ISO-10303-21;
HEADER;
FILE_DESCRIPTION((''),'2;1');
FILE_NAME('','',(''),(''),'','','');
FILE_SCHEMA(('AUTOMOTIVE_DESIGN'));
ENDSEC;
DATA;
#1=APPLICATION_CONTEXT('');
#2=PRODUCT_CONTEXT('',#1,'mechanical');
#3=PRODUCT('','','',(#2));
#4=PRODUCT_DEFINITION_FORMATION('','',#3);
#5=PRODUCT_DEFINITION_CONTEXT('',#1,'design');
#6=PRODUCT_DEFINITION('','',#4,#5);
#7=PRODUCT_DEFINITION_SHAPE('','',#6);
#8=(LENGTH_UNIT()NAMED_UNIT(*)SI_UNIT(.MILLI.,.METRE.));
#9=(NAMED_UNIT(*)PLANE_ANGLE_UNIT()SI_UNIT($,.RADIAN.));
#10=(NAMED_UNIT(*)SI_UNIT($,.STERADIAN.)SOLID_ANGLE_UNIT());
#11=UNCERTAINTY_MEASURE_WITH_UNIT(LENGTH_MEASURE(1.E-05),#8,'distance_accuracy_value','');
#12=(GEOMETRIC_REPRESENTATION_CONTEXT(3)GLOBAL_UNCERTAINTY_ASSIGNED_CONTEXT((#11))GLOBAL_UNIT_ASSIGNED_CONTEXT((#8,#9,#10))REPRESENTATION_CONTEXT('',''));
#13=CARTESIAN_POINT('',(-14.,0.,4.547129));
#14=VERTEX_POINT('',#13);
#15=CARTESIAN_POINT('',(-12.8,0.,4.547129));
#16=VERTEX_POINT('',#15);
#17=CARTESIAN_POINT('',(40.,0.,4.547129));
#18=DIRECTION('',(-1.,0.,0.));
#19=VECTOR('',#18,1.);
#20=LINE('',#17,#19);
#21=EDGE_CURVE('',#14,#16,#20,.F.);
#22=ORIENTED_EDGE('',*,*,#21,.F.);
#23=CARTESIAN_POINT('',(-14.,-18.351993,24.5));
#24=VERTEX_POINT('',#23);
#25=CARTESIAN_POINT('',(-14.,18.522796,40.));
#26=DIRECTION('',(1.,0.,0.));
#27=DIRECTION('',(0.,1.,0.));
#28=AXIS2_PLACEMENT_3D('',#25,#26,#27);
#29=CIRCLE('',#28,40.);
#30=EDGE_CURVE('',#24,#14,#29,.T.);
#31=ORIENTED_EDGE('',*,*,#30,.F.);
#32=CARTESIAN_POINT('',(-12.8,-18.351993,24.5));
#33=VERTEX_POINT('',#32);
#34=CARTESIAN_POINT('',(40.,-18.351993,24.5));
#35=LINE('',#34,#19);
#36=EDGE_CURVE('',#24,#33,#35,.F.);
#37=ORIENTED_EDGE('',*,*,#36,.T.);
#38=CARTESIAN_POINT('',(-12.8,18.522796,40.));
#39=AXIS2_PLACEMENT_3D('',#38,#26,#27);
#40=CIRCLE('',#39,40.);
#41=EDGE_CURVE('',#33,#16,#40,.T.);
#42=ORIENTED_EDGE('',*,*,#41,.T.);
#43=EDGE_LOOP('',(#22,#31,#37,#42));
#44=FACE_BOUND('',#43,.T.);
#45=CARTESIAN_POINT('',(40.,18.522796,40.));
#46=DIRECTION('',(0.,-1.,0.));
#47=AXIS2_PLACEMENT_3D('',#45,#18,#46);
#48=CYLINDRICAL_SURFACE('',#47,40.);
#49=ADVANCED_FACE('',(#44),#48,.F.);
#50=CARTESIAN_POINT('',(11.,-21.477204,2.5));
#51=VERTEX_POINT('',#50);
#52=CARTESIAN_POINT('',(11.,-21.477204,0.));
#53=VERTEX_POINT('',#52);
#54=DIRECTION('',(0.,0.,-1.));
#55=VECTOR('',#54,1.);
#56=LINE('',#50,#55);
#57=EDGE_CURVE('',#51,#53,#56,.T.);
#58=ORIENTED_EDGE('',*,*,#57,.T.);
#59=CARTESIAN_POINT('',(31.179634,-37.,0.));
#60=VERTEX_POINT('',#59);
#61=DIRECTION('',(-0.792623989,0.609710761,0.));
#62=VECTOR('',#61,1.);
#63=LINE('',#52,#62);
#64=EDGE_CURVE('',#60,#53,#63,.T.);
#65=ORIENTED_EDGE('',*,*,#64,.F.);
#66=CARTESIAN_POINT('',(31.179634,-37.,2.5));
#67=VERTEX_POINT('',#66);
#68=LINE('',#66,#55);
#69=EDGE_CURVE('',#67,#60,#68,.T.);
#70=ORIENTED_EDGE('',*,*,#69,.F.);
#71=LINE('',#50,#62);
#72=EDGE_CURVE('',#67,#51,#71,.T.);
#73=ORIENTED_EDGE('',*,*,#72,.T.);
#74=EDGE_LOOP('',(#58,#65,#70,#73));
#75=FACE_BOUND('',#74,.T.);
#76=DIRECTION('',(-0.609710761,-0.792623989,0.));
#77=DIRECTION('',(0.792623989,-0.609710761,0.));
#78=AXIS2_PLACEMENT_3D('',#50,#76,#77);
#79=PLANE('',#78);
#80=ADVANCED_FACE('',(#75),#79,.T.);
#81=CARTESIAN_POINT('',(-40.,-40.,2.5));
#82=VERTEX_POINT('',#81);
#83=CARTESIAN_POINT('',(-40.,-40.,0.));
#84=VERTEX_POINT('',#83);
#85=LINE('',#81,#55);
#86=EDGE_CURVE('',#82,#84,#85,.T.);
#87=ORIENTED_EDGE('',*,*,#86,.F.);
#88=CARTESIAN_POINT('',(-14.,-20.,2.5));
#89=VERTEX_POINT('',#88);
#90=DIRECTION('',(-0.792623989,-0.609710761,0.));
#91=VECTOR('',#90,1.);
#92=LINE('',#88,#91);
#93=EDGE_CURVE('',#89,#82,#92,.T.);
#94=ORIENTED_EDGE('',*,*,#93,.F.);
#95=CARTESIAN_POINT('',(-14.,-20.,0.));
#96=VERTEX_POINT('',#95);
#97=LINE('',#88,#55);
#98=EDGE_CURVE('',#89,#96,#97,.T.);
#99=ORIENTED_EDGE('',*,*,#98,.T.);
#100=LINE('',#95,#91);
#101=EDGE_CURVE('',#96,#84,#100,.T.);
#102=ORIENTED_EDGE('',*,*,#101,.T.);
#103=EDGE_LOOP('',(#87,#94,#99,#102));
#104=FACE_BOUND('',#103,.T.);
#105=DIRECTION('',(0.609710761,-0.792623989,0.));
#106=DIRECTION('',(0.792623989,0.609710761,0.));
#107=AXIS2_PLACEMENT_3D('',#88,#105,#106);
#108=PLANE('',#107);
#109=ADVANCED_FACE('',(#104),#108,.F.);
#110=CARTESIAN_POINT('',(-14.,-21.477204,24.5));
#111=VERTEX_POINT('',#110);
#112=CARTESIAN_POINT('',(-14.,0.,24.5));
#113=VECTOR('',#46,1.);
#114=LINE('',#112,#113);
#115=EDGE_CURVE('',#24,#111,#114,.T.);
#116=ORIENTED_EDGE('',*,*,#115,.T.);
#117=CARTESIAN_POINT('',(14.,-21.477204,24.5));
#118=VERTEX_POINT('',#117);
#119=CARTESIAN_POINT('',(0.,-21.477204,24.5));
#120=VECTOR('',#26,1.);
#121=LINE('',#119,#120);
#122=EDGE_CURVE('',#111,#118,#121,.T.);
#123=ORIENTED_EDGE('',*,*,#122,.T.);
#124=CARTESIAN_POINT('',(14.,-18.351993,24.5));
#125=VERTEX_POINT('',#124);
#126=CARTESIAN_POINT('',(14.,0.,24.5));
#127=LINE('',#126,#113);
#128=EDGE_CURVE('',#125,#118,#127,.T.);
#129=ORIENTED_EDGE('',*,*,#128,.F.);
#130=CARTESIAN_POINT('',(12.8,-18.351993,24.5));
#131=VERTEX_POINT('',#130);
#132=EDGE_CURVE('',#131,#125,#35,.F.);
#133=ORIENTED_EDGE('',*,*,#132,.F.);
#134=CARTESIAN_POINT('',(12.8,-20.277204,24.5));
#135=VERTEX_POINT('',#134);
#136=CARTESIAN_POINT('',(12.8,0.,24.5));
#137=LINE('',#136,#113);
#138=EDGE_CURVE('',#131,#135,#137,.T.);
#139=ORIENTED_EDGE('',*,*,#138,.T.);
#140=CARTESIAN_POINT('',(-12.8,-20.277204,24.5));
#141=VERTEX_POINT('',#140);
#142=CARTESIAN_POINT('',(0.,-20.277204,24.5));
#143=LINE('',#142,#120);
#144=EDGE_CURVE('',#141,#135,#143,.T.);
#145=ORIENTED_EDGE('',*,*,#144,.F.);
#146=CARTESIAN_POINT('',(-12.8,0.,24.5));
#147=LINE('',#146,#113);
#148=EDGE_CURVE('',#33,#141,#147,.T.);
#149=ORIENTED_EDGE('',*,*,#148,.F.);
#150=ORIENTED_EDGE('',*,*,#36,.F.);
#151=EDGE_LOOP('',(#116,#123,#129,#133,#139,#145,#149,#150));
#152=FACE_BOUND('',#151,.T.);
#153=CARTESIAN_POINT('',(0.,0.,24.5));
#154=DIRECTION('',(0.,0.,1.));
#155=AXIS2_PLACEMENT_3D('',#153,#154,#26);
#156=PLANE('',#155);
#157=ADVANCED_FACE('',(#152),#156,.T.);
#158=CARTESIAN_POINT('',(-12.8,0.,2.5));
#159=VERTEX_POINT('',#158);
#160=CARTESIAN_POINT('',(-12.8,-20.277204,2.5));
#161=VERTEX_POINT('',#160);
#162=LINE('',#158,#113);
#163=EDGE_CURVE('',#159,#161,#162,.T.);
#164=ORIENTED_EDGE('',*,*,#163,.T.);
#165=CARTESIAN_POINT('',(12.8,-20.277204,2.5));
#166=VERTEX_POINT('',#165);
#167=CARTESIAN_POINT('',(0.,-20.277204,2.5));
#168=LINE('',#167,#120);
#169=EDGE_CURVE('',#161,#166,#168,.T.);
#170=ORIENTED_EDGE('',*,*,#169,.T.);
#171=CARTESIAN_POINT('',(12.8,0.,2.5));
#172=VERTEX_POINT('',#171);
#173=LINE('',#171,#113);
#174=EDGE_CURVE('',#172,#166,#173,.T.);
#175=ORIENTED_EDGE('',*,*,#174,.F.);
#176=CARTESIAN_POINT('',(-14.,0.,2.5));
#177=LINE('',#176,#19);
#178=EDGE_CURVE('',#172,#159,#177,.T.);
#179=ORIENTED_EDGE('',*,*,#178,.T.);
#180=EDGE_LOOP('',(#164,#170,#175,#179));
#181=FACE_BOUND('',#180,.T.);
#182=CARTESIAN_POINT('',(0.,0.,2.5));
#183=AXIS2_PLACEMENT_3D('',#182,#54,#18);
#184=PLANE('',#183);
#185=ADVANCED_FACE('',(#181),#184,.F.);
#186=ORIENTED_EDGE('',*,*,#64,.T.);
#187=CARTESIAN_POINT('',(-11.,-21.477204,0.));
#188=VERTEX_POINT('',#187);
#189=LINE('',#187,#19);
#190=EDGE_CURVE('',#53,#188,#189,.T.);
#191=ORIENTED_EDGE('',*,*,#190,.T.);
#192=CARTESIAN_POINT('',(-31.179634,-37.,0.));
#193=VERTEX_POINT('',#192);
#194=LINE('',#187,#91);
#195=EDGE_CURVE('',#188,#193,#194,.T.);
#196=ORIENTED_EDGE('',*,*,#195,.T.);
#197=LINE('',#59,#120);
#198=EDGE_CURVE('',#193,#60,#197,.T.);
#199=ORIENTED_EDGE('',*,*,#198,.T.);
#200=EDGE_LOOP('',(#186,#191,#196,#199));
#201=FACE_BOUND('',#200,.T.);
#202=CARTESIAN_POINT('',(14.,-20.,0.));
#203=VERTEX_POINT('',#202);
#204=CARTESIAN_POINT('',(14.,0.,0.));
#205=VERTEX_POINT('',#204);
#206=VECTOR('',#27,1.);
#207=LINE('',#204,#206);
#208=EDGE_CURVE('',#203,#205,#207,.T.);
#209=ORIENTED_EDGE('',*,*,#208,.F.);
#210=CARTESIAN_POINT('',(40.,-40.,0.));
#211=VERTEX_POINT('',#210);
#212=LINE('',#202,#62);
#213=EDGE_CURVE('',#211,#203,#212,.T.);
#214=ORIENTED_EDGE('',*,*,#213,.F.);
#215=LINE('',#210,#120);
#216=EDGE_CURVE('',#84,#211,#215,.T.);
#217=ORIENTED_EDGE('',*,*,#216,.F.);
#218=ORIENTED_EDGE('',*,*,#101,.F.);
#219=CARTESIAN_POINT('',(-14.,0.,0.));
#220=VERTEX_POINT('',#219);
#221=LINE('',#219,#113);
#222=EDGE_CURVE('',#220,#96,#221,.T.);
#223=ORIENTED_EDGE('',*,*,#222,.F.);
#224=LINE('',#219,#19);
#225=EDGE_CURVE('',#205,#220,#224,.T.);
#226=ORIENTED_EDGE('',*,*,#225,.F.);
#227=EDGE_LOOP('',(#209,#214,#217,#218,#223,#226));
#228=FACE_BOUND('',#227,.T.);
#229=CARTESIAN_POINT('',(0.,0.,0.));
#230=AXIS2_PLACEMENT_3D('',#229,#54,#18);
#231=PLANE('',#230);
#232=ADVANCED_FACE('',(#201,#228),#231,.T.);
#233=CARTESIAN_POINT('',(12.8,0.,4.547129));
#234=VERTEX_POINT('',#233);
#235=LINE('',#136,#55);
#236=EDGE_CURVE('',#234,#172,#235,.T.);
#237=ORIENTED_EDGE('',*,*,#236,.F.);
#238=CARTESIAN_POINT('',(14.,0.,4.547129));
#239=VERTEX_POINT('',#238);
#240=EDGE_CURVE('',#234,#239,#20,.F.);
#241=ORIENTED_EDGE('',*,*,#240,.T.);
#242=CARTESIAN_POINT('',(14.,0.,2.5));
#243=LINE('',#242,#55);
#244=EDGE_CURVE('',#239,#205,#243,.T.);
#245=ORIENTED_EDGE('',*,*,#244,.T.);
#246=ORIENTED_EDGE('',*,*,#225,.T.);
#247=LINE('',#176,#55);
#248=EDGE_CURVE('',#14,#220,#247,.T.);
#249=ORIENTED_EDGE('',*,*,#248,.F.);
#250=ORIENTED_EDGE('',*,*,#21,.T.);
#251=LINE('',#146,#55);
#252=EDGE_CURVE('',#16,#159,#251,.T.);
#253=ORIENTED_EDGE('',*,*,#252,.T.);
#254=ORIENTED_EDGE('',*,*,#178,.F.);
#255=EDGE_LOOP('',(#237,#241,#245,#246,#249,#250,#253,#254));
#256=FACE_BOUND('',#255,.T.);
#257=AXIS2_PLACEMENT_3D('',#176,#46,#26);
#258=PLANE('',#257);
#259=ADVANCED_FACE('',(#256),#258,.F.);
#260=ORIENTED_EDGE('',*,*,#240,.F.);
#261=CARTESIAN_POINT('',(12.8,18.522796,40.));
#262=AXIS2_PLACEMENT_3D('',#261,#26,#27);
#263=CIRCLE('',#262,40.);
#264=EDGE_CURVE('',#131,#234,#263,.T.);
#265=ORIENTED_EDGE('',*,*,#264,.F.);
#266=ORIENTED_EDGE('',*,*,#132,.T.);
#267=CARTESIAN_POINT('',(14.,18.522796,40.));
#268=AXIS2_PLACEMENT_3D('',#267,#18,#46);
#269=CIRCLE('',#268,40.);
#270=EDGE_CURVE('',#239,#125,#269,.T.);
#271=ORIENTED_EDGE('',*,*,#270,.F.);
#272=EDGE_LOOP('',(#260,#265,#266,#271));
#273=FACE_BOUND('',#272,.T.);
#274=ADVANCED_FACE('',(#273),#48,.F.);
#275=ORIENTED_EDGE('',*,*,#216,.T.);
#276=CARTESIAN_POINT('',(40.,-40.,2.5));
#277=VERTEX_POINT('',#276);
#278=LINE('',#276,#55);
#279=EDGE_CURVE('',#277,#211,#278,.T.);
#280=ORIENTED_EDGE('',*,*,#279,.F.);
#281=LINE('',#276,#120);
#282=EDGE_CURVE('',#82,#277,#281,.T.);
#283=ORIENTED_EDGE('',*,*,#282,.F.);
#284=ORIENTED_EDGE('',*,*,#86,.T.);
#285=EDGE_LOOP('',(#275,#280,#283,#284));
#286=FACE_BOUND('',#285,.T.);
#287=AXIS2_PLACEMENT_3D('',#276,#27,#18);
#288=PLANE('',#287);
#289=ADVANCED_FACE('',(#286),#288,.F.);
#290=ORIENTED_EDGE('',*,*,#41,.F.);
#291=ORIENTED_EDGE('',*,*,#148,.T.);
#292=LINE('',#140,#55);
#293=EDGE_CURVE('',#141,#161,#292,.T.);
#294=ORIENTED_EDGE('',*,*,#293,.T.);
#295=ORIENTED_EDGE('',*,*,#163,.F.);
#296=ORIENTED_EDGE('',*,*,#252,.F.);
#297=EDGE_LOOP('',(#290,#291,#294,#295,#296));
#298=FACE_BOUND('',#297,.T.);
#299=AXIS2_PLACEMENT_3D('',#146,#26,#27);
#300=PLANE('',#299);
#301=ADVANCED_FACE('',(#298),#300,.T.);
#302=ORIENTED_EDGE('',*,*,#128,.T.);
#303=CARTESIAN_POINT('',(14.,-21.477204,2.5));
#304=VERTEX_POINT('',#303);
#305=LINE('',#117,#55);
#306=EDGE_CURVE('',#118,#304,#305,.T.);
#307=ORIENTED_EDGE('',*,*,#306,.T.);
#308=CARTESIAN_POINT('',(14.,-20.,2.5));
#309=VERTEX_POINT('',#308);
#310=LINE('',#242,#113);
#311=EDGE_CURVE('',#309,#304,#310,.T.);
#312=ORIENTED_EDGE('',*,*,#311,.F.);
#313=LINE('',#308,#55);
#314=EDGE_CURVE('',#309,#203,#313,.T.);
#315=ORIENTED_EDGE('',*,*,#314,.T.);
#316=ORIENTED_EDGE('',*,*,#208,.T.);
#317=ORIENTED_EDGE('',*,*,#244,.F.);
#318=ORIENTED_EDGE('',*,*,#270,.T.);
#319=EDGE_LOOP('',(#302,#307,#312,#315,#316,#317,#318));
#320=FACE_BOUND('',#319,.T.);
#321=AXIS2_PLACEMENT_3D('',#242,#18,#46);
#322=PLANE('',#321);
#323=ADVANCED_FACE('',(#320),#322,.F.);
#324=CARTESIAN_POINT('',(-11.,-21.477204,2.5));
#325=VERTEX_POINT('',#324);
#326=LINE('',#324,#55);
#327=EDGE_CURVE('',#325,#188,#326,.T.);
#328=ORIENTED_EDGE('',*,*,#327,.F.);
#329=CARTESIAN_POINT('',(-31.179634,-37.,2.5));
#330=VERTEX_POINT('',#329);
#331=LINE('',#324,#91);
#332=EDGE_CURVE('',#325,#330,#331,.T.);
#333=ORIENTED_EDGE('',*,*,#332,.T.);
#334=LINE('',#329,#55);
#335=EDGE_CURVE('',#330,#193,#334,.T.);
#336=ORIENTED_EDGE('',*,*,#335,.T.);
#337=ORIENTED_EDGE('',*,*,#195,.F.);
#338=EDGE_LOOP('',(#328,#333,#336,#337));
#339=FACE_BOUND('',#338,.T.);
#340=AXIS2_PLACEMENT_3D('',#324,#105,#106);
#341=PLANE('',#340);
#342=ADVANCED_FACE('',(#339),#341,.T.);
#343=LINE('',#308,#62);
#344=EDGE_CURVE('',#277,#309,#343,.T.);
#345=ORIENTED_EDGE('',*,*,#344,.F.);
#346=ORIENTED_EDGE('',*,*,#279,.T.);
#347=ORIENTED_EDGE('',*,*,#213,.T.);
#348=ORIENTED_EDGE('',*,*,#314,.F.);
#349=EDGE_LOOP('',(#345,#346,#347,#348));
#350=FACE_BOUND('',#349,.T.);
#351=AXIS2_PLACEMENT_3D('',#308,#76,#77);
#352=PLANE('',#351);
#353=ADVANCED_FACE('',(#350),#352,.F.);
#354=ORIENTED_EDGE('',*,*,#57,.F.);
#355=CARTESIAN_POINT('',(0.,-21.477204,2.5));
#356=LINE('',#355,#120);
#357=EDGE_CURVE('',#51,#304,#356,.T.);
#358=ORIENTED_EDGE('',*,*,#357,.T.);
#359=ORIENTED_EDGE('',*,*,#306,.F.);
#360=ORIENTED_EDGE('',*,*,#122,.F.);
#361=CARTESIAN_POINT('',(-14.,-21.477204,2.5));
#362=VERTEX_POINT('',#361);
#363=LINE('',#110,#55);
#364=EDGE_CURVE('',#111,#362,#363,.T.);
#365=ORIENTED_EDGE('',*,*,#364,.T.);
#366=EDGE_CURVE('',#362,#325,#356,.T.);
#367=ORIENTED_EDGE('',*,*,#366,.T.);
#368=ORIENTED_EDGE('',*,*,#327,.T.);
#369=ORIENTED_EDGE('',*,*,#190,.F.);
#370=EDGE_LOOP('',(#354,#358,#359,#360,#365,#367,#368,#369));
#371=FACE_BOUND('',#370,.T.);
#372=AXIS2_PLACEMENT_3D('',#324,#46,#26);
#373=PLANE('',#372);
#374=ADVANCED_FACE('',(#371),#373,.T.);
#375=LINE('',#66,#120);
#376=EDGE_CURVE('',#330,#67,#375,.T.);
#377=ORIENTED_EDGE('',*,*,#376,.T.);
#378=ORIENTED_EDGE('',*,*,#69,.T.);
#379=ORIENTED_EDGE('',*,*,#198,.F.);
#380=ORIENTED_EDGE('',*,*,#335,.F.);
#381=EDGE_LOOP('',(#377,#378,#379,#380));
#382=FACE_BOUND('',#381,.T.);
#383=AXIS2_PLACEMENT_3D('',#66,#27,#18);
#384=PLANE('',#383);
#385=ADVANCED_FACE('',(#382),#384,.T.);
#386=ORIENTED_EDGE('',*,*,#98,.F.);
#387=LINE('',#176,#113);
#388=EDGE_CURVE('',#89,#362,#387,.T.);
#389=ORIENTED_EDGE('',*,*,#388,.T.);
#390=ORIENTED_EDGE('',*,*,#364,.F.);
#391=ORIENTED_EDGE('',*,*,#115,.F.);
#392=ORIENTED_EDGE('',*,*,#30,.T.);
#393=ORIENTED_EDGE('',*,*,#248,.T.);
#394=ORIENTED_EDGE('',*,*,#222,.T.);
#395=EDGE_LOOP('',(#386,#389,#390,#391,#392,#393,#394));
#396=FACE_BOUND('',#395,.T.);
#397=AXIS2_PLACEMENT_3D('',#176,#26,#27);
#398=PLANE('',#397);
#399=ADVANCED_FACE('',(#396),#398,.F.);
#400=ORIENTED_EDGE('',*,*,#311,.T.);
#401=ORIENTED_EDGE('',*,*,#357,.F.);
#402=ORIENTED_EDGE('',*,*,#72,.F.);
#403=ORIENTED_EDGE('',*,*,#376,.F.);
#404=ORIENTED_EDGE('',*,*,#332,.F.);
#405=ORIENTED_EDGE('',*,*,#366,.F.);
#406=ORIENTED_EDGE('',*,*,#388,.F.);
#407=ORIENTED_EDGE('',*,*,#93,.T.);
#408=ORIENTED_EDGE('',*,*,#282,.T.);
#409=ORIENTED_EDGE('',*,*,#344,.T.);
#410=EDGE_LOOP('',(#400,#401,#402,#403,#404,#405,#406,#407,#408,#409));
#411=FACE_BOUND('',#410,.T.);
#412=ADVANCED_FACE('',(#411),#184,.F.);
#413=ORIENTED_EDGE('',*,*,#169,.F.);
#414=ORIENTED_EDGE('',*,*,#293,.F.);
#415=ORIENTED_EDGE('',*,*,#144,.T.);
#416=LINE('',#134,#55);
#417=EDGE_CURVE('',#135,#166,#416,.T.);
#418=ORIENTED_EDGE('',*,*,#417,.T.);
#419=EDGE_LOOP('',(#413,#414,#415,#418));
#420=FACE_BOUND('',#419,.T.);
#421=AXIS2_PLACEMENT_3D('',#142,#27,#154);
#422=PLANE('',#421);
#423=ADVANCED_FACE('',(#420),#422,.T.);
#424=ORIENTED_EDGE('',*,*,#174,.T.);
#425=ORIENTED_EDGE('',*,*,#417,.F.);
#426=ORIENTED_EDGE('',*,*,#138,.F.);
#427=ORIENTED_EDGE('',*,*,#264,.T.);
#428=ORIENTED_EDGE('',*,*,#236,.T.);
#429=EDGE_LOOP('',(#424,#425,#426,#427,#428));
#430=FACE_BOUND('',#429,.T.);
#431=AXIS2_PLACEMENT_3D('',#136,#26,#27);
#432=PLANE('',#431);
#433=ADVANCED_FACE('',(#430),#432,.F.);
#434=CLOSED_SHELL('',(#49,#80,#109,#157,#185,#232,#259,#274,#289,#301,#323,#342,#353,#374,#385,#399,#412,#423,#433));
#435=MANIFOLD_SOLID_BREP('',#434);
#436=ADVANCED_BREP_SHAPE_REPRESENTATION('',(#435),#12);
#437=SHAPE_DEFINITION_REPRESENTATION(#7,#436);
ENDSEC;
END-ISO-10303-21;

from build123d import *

# Parameters (mm, degrees)
BOSS_EXTRUDE5_DEPTH     = 2.5
BOSS_EXTRUDE6_DEPTH     = 22
CUT_EXTRUDE2_DEPTH      = 72.527966559
CUT_EXTRUDE2_DEPTH_BACK = 72.527966559
SKETCH7_R               = 40


with BuildPart() as part:
    # Sketch2 → Boss-Extrude5 (new body)
    with BuildSketch(Plane.XY):
        Polygon((-14, 0), (14, 0), (14, -20), (40, -40), (-40, -40), (-14, -20), align=None)
        Polygon((-11, -21.477204492), (-31.17963416, -37), (31.17963416, -37), (11, -21.477204492), align=None, mode=Mode.SUBTRACT)
    extrude(amount=BOSS_EXTRUDE5_DEPTH)

    # Sketch6 → Boss-Extrude6 (add)
    with BuildSketch(Plane.XY.offset(2.5)):
        Polygon((-12.8, 0), (-14, 0), (-14, -21.477204492), (14, -21.477204492), (14, 0), (12.8, 0), (12.8, -20.277204492), (-12.8, -20.277204492), align=None)
    extrude(amount=BOSS_EXTRUDE6_DEPTH)

    # Sketch7 → Cut-Extrude2 (cut, two sides: drawn at the far end of the back side and taken through both)
    with BuildSketch(Plane.ZY.offset(14).offset(-CUT_EXTRUDE2_DEPTH_BACK)):
        with Locations((40, 18.522795508)):
            Circle(SKETCH7_R)
    extrude(amount=CUT_EXTRUDE2_DEPTH + CUT_EXTRUDE2_DEPTH_BACK, mode=Mode.SUBTRACT)


solid = part.part
